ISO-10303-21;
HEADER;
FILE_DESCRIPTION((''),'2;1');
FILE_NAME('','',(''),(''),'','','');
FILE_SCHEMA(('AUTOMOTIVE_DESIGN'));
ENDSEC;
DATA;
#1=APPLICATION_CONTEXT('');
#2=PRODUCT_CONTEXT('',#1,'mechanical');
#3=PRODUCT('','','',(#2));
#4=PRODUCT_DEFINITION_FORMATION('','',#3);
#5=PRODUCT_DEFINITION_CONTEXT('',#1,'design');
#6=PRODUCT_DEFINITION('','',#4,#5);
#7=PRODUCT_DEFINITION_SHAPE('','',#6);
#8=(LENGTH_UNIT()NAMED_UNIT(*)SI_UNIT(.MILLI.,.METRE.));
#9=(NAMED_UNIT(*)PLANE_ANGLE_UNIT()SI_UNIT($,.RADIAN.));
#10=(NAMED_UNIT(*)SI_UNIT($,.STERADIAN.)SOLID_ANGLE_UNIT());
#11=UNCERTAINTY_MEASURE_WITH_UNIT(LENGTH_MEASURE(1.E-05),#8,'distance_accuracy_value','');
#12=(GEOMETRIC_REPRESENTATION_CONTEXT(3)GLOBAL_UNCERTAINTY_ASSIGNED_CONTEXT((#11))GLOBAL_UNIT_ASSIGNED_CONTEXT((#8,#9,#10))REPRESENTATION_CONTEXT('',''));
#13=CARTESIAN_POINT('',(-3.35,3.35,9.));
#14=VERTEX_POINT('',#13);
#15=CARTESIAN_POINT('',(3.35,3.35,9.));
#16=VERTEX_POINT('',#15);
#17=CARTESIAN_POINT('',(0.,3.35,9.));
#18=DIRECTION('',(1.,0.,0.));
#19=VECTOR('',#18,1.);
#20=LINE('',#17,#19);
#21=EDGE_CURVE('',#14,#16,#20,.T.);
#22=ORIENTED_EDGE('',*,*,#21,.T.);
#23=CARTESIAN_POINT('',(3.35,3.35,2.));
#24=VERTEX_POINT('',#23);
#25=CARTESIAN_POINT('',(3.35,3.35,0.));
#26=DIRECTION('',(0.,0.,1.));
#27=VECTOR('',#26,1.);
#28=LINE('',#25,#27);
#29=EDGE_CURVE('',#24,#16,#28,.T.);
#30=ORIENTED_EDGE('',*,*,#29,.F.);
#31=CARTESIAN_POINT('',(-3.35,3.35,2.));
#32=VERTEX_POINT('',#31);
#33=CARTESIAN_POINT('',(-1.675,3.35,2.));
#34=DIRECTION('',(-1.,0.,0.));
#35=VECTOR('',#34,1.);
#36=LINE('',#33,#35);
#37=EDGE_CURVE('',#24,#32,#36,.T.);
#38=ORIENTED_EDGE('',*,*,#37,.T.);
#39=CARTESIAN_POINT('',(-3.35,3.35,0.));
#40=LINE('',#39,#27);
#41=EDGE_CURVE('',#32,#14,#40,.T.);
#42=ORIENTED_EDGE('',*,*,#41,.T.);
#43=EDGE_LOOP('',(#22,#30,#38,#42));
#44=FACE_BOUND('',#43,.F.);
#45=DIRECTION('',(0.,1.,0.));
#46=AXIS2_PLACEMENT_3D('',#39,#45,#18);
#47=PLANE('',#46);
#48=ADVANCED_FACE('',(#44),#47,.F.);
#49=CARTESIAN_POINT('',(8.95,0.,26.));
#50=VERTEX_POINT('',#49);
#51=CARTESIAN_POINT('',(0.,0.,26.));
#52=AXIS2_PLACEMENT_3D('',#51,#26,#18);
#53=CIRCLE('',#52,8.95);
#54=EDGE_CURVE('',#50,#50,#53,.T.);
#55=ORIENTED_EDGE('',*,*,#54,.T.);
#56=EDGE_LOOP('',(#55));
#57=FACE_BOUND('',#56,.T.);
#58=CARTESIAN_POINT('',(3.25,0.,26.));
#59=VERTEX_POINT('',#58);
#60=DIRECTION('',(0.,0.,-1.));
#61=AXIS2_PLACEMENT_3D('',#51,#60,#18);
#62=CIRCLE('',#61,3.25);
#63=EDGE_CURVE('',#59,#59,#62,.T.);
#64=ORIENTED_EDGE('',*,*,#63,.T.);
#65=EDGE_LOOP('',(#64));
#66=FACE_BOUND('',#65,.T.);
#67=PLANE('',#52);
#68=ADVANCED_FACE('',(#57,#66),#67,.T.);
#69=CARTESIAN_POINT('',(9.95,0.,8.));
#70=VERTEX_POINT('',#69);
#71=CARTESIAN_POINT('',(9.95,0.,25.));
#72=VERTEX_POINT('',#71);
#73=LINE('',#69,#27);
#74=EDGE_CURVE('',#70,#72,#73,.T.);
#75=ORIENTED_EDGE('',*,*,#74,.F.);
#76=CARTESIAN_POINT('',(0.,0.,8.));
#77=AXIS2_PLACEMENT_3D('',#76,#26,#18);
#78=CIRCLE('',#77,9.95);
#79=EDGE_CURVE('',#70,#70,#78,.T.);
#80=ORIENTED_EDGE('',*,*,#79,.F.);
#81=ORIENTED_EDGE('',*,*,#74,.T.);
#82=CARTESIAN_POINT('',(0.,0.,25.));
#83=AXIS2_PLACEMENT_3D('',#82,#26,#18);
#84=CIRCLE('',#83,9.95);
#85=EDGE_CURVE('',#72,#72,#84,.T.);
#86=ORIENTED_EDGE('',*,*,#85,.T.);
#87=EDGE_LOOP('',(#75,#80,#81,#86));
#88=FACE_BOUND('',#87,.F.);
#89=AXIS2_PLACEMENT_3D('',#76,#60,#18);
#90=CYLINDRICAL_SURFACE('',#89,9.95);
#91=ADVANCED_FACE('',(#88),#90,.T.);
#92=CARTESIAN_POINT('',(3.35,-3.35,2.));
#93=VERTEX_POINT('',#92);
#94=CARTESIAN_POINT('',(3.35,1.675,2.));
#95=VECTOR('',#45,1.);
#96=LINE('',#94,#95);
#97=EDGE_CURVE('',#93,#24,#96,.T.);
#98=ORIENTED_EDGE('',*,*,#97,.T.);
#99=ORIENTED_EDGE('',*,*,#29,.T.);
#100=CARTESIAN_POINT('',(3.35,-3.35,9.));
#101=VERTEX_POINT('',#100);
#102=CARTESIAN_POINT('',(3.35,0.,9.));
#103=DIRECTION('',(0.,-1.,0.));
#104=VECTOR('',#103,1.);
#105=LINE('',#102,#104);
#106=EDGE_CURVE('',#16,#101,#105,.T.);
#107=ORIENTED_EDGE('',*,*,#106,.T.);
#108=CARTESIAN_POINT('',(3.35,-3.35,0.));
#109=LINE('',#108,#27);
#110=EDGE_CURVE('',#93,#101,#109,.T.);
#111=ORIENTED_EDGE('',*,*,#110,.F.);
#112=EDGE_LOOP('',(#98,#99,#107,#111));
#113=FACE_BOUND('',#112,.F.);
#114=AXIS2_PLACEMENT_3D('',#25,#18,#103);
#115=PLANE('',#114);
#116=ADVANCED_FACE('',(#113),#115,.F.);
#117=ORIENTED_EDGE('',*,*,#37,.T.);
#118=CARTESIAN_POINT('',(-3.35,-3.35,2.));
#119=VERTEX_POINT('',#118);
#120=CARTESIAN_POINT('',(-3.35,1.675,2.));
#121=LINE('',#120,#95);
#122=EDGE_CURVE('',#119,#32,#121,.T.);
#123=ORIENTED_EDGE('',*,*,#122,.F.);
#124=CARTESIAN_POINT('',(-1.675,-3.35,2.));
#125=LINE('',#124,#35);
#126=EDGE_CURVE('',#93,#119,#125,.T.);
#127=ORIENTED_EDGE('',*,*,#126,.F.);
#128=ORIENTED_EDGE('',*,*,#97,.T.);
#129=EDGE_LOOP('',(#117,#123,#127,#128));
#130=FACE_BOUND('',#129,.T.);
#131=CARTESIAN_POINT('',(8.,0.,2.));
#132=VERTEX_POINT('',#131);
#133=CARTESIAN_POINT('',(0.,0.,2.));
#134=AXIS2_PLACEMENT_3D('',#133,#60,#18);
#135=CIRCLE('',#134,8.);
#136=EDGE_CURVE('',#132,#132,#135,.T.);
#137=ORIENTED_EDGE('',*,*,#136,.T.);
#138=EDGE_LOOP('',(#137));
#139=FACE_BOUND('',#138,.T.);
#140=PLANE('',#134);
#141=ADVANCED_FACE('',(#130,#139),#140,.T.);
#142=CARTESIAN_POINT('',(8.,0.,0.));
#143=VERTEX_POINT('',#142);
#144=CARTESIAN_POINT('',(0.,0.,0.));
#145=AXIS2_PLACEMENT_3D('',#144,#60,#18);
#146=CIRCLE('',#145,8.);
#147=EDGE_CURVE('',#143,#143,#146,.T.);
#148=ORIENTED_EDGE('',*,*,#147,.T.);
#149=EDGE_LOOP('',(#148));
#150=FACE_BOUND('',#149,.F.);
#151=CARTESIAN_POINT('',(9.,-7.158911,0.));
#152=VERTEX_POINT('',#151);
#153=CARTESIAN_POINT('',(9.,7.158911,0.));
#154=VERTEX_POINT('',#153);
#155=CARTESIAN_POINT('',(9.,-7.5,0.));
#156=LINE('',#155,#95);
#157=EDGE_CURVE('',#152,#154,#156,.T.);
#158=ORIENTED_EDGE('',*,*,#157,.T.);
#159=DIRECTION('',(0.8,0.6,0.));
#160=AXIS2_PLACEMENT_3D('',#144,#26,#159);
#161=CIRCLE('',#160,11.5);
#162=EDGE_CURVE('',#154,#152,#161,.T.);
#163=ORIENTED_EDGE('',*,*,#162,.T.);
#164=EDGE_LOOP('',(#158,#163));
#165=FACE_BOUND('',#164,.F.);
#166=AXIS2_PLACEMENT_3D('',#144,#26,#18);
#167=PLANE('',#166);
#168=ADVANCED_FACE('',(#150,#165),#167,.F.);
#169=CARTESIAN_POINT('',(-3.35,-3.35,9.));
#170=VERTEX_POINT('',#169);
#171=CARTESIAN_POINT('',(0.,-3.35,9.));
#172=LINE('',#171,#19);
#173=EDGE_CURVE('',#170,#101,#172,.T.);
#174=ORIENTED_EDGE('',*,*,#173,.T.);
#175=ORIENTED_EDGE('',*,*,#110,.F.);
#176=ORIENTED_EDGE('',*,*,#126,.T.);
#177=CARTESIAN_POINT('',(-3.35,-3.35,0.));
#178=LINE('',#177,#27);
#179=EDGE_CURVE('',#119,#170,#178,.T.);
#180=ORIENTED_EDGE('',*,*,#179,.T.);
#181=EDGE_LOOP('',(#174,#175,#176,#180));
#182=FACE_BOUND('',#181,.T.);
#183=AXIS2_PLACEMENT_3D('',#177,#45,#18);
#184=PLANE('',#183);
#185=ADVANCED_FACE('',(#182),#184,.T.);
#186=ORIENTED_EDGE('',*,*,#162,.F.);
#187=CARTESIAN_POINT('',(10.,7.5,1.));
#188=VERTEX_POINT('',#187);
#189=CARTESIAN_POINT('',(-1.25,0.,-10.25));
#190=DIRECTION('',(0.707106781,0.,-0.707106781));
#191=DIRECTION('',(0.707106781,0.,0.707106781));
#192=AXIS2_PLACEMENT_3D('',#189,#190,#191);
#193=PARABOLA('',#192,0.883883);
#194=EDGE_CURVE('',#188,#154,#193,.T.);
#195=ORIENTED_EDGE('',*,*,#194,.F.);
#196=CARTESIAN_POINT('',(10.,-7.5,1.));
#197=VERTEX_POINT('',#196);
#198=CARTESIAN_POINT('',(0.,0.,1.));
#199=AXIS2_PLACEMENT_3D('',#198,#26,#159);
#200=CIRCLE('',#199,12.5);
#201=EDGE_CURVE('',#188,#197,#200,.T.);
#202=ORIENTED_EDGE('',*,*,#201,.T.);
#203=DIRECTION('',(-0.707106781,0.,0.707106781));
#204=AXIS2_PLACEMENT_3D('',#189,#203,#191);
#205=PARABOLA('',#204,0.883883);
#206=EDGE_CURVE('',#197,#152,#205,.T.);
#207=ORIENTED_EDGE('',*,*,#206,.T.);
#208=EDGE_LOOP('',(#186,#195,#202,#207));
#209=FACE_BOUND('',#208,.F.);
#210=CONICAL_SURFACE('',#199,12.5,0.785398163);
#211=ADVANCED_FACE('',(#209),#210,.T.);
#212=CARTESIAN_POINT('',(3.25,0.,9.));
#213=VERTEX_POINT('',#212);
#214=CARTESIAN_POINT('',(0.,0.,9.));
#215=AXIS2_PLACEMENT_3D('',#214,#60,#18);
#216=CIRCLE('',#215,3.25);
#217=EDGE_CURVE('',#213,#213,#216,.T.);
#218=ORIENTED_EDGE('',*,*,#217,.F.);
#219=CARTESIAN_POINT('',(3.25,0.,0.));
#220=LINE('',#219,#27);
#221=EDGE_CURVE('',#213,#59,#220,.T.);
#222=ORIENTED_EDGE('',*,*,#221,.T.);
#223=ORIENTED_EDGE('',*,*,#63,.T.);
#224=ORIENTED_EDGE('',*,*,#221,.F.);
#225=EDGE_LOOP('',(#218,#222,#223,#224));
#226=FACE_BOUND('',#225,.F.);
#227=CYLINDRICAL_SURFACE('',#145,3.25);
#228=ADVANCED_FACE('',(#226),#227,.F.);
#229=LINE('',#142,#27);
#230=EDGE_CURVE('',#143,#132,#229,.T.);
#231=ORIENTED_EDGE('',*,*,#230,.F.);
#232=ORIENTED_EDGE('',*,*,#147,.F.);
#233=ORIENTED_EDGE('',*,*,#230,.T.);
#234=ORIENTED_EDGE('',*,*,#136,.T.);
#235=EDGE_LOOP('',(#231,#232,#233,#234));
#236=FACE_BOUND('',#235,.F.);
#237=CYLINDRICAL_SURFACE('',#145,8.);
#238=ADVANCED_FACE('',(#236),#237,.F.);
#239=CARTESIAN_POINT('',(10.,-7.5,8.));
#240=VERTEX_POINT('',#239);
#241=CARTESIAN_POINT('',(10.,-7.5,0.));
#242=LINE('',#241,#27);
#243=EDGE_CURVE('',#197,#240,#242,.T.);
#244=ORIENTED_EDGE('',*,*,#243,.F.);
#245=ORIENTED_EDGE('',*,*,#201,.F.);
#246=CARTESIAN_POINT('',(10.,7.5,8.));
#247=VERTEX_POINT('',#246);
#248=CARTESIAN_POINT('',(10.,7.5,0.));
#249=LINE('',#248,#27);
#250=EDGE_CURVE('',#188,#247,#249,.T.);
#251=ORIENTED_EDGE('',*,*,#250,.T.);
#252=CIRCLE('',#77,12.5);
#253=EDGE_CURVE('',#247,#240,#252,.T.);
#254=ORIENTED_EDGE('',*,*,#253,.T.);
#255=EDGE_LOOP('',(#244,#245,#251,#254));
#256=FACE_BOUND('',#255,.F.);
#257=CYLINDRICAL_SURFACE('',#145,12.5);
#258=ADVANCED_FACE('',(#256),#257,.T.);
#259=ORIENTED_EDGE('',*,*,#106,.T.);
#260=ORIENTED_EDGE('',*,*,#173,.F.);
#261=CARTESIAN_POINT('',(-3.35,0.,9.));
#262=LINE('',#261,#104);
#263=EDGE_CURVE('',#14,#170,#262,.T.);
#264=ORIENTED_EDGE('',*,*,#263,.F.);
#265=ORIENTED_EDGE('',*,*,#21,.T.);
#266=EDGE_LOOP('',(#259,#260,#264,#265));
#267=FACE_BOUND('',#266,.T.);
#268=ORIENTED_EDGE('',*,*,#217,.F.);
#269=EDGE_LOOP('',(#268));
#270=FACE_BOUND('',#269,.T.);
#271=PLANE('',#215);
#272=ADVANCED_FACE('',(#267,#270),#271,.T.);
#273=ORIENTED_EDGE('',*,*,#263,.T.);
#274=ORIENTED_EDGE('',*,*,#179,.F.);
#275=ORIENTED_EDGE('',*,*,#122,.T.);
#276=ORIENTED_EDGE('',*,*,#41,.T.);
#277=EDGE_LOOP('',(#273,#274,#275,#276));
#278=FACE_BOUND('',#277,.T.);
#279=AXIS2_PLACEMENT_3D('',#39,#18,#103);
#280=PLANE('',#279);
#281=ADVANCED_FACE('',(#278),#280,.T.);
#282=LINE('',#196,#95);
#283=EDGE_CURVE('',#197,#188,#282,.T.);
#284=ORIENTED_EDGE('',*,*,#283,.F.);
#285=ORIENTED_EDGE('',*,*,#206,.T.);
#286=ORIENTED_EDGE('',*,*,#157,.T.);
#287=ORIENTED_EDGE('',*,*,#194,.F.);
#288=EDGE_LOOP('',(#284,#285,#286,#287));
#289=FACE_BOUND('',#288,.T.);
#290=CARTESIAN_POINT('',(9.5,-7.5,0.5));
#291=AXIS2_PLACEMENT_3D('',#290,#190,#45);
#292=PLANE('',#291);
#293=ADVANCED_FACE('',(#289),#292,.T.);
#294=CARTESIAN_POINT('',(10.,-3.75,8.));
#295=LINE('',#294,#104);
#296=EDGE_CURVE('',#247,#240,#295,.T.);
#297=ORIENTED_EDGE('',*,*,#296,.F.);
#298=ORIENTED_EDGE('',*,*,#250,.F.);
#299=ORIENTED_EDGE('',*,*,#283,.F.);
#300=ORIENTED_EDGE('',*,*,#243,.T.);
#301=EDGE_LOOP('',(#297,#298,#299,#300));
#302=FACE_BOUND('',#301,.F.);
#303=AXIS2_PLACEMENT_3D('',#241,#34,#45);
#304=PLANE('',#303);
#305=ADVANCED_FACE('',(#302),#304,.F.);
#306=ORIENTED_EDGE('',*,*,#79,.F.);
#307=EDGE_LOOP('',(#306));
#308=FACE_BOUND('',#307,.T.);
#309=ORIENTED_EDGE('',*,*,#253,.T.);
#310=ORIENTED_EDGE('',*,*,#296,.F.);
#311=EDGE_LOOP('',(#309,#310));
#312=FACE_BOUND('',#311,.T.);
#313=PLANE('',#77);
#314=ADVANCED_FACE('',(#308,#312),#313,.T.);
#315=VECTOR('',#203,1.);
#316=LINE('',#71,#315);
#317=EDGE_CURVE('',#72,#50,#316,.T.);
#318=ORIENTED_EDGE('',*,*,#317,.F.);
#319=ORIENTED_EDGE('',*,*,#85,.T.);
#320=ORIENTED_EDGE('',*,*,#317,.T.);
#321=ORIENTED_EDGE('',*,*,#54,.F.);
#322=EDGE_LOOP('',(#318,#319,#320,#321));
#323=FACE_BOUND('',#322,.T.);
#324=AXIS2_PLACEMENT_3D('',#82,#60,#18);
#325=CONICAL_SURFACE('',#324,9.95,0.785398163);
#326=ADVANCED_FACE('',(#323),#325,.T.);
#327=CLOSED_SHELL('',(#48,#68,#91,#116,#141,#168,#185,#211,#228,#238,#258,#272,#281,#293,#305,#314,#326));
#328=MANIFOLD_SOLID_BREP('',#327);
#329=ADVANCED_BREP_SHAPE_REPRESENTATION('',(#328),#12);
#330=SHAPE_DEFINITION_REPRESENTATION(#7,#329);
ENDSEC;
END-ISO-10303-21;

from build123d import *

# Parameters (mm, degrees)
SKETCH_R        = 12.5
PAD_DEPTH       = 8
SKETCH001_R     = 9.95
PAD001_DEPTH    = 18
SKETCH002_R     = 3.25
POCKET_DEPTH    = 26.001
SKETCH003_W     = 6.7
SKETCH003_H     = 6.7
POCKET001_DEPTH = 9
SKETCH004_R     = 8
POCKET002_DEPTH = 2
CHAMFER_SIZE    = 1
CHAMFER001_SIZE = 1


with BuildPart() as part:
    # Sketch → Pad (new body)
    with BuildSketch(Plane.XY):
        Circle(SKETCH_R)
    extrude(amount=PAD_DEPTH)

    # Sketch001 (on Face3 of Pad) → Pad001 (join)
    with BuildSketch(Plane.XY.offset(8)):
        Circle(SKETCH001_R)
    extrude(amount=PAD001_DEPTH)

    # Sketch002 (on Face2 of Pad001) → Pocket (cut, through all)
    with BuildSketch(Plane(origin=(0, 0, 0), x_dir=(1, 0, 0), z_dir=(0, 0, -1))):
        Circle(SKETCH002_R)
        with BuildLine():
            Line((10, 7.5), (10, -7.5))
            ThreePointArc((10, -7.5), (12.5, 0), (10, 7.5))
        make_face()
    extrude(amount=-POCKET_DEPTH, mode=Mode.SUBTRACT)

    # Sketch003 (on Face2 of Pocket) → Pocket001 (cut)
    with BuildSketch(Plane(origin=(0, 0, 0), x_dir=(1, 0, 0), z_dir=(0, 0, -1))):
        Rectangle(SKETCH003_W, SKETCH003_H)
    extrude(amount=-POCKET001_DEPTH, mode=Mode.SUBTRACT)

    # Sketch004 → Pocket002 (cut)
    with BuildSketch(Plane(origin=(0, 0, 0), x_dir=(1, 0, 0), z_dir=(0, 0, -1))):
        Circle(SKETCH004_R)
    extrude(amount=-POCKET002_DEPTH, mode=Mode.SUBTRACT)

    # Chamfer
    chamfer_edges = [part.edges().sort_by_distance(p)[0] for p in [
        (-12.5, 0, 0),
        (10, 0, 0),
    ]]
    chamfer(chamfer_edges, length=CHAMFER_SIZE)

    # Chamfer001
    chamfer001_edges = [part.edges().sort_by_distance(p)[0] for p in [
        (-9.95, 0, 26),
    ]]
    chamfer(chamfer001_edges, length=CHAMFER001_SIZE)


solid = part.part
